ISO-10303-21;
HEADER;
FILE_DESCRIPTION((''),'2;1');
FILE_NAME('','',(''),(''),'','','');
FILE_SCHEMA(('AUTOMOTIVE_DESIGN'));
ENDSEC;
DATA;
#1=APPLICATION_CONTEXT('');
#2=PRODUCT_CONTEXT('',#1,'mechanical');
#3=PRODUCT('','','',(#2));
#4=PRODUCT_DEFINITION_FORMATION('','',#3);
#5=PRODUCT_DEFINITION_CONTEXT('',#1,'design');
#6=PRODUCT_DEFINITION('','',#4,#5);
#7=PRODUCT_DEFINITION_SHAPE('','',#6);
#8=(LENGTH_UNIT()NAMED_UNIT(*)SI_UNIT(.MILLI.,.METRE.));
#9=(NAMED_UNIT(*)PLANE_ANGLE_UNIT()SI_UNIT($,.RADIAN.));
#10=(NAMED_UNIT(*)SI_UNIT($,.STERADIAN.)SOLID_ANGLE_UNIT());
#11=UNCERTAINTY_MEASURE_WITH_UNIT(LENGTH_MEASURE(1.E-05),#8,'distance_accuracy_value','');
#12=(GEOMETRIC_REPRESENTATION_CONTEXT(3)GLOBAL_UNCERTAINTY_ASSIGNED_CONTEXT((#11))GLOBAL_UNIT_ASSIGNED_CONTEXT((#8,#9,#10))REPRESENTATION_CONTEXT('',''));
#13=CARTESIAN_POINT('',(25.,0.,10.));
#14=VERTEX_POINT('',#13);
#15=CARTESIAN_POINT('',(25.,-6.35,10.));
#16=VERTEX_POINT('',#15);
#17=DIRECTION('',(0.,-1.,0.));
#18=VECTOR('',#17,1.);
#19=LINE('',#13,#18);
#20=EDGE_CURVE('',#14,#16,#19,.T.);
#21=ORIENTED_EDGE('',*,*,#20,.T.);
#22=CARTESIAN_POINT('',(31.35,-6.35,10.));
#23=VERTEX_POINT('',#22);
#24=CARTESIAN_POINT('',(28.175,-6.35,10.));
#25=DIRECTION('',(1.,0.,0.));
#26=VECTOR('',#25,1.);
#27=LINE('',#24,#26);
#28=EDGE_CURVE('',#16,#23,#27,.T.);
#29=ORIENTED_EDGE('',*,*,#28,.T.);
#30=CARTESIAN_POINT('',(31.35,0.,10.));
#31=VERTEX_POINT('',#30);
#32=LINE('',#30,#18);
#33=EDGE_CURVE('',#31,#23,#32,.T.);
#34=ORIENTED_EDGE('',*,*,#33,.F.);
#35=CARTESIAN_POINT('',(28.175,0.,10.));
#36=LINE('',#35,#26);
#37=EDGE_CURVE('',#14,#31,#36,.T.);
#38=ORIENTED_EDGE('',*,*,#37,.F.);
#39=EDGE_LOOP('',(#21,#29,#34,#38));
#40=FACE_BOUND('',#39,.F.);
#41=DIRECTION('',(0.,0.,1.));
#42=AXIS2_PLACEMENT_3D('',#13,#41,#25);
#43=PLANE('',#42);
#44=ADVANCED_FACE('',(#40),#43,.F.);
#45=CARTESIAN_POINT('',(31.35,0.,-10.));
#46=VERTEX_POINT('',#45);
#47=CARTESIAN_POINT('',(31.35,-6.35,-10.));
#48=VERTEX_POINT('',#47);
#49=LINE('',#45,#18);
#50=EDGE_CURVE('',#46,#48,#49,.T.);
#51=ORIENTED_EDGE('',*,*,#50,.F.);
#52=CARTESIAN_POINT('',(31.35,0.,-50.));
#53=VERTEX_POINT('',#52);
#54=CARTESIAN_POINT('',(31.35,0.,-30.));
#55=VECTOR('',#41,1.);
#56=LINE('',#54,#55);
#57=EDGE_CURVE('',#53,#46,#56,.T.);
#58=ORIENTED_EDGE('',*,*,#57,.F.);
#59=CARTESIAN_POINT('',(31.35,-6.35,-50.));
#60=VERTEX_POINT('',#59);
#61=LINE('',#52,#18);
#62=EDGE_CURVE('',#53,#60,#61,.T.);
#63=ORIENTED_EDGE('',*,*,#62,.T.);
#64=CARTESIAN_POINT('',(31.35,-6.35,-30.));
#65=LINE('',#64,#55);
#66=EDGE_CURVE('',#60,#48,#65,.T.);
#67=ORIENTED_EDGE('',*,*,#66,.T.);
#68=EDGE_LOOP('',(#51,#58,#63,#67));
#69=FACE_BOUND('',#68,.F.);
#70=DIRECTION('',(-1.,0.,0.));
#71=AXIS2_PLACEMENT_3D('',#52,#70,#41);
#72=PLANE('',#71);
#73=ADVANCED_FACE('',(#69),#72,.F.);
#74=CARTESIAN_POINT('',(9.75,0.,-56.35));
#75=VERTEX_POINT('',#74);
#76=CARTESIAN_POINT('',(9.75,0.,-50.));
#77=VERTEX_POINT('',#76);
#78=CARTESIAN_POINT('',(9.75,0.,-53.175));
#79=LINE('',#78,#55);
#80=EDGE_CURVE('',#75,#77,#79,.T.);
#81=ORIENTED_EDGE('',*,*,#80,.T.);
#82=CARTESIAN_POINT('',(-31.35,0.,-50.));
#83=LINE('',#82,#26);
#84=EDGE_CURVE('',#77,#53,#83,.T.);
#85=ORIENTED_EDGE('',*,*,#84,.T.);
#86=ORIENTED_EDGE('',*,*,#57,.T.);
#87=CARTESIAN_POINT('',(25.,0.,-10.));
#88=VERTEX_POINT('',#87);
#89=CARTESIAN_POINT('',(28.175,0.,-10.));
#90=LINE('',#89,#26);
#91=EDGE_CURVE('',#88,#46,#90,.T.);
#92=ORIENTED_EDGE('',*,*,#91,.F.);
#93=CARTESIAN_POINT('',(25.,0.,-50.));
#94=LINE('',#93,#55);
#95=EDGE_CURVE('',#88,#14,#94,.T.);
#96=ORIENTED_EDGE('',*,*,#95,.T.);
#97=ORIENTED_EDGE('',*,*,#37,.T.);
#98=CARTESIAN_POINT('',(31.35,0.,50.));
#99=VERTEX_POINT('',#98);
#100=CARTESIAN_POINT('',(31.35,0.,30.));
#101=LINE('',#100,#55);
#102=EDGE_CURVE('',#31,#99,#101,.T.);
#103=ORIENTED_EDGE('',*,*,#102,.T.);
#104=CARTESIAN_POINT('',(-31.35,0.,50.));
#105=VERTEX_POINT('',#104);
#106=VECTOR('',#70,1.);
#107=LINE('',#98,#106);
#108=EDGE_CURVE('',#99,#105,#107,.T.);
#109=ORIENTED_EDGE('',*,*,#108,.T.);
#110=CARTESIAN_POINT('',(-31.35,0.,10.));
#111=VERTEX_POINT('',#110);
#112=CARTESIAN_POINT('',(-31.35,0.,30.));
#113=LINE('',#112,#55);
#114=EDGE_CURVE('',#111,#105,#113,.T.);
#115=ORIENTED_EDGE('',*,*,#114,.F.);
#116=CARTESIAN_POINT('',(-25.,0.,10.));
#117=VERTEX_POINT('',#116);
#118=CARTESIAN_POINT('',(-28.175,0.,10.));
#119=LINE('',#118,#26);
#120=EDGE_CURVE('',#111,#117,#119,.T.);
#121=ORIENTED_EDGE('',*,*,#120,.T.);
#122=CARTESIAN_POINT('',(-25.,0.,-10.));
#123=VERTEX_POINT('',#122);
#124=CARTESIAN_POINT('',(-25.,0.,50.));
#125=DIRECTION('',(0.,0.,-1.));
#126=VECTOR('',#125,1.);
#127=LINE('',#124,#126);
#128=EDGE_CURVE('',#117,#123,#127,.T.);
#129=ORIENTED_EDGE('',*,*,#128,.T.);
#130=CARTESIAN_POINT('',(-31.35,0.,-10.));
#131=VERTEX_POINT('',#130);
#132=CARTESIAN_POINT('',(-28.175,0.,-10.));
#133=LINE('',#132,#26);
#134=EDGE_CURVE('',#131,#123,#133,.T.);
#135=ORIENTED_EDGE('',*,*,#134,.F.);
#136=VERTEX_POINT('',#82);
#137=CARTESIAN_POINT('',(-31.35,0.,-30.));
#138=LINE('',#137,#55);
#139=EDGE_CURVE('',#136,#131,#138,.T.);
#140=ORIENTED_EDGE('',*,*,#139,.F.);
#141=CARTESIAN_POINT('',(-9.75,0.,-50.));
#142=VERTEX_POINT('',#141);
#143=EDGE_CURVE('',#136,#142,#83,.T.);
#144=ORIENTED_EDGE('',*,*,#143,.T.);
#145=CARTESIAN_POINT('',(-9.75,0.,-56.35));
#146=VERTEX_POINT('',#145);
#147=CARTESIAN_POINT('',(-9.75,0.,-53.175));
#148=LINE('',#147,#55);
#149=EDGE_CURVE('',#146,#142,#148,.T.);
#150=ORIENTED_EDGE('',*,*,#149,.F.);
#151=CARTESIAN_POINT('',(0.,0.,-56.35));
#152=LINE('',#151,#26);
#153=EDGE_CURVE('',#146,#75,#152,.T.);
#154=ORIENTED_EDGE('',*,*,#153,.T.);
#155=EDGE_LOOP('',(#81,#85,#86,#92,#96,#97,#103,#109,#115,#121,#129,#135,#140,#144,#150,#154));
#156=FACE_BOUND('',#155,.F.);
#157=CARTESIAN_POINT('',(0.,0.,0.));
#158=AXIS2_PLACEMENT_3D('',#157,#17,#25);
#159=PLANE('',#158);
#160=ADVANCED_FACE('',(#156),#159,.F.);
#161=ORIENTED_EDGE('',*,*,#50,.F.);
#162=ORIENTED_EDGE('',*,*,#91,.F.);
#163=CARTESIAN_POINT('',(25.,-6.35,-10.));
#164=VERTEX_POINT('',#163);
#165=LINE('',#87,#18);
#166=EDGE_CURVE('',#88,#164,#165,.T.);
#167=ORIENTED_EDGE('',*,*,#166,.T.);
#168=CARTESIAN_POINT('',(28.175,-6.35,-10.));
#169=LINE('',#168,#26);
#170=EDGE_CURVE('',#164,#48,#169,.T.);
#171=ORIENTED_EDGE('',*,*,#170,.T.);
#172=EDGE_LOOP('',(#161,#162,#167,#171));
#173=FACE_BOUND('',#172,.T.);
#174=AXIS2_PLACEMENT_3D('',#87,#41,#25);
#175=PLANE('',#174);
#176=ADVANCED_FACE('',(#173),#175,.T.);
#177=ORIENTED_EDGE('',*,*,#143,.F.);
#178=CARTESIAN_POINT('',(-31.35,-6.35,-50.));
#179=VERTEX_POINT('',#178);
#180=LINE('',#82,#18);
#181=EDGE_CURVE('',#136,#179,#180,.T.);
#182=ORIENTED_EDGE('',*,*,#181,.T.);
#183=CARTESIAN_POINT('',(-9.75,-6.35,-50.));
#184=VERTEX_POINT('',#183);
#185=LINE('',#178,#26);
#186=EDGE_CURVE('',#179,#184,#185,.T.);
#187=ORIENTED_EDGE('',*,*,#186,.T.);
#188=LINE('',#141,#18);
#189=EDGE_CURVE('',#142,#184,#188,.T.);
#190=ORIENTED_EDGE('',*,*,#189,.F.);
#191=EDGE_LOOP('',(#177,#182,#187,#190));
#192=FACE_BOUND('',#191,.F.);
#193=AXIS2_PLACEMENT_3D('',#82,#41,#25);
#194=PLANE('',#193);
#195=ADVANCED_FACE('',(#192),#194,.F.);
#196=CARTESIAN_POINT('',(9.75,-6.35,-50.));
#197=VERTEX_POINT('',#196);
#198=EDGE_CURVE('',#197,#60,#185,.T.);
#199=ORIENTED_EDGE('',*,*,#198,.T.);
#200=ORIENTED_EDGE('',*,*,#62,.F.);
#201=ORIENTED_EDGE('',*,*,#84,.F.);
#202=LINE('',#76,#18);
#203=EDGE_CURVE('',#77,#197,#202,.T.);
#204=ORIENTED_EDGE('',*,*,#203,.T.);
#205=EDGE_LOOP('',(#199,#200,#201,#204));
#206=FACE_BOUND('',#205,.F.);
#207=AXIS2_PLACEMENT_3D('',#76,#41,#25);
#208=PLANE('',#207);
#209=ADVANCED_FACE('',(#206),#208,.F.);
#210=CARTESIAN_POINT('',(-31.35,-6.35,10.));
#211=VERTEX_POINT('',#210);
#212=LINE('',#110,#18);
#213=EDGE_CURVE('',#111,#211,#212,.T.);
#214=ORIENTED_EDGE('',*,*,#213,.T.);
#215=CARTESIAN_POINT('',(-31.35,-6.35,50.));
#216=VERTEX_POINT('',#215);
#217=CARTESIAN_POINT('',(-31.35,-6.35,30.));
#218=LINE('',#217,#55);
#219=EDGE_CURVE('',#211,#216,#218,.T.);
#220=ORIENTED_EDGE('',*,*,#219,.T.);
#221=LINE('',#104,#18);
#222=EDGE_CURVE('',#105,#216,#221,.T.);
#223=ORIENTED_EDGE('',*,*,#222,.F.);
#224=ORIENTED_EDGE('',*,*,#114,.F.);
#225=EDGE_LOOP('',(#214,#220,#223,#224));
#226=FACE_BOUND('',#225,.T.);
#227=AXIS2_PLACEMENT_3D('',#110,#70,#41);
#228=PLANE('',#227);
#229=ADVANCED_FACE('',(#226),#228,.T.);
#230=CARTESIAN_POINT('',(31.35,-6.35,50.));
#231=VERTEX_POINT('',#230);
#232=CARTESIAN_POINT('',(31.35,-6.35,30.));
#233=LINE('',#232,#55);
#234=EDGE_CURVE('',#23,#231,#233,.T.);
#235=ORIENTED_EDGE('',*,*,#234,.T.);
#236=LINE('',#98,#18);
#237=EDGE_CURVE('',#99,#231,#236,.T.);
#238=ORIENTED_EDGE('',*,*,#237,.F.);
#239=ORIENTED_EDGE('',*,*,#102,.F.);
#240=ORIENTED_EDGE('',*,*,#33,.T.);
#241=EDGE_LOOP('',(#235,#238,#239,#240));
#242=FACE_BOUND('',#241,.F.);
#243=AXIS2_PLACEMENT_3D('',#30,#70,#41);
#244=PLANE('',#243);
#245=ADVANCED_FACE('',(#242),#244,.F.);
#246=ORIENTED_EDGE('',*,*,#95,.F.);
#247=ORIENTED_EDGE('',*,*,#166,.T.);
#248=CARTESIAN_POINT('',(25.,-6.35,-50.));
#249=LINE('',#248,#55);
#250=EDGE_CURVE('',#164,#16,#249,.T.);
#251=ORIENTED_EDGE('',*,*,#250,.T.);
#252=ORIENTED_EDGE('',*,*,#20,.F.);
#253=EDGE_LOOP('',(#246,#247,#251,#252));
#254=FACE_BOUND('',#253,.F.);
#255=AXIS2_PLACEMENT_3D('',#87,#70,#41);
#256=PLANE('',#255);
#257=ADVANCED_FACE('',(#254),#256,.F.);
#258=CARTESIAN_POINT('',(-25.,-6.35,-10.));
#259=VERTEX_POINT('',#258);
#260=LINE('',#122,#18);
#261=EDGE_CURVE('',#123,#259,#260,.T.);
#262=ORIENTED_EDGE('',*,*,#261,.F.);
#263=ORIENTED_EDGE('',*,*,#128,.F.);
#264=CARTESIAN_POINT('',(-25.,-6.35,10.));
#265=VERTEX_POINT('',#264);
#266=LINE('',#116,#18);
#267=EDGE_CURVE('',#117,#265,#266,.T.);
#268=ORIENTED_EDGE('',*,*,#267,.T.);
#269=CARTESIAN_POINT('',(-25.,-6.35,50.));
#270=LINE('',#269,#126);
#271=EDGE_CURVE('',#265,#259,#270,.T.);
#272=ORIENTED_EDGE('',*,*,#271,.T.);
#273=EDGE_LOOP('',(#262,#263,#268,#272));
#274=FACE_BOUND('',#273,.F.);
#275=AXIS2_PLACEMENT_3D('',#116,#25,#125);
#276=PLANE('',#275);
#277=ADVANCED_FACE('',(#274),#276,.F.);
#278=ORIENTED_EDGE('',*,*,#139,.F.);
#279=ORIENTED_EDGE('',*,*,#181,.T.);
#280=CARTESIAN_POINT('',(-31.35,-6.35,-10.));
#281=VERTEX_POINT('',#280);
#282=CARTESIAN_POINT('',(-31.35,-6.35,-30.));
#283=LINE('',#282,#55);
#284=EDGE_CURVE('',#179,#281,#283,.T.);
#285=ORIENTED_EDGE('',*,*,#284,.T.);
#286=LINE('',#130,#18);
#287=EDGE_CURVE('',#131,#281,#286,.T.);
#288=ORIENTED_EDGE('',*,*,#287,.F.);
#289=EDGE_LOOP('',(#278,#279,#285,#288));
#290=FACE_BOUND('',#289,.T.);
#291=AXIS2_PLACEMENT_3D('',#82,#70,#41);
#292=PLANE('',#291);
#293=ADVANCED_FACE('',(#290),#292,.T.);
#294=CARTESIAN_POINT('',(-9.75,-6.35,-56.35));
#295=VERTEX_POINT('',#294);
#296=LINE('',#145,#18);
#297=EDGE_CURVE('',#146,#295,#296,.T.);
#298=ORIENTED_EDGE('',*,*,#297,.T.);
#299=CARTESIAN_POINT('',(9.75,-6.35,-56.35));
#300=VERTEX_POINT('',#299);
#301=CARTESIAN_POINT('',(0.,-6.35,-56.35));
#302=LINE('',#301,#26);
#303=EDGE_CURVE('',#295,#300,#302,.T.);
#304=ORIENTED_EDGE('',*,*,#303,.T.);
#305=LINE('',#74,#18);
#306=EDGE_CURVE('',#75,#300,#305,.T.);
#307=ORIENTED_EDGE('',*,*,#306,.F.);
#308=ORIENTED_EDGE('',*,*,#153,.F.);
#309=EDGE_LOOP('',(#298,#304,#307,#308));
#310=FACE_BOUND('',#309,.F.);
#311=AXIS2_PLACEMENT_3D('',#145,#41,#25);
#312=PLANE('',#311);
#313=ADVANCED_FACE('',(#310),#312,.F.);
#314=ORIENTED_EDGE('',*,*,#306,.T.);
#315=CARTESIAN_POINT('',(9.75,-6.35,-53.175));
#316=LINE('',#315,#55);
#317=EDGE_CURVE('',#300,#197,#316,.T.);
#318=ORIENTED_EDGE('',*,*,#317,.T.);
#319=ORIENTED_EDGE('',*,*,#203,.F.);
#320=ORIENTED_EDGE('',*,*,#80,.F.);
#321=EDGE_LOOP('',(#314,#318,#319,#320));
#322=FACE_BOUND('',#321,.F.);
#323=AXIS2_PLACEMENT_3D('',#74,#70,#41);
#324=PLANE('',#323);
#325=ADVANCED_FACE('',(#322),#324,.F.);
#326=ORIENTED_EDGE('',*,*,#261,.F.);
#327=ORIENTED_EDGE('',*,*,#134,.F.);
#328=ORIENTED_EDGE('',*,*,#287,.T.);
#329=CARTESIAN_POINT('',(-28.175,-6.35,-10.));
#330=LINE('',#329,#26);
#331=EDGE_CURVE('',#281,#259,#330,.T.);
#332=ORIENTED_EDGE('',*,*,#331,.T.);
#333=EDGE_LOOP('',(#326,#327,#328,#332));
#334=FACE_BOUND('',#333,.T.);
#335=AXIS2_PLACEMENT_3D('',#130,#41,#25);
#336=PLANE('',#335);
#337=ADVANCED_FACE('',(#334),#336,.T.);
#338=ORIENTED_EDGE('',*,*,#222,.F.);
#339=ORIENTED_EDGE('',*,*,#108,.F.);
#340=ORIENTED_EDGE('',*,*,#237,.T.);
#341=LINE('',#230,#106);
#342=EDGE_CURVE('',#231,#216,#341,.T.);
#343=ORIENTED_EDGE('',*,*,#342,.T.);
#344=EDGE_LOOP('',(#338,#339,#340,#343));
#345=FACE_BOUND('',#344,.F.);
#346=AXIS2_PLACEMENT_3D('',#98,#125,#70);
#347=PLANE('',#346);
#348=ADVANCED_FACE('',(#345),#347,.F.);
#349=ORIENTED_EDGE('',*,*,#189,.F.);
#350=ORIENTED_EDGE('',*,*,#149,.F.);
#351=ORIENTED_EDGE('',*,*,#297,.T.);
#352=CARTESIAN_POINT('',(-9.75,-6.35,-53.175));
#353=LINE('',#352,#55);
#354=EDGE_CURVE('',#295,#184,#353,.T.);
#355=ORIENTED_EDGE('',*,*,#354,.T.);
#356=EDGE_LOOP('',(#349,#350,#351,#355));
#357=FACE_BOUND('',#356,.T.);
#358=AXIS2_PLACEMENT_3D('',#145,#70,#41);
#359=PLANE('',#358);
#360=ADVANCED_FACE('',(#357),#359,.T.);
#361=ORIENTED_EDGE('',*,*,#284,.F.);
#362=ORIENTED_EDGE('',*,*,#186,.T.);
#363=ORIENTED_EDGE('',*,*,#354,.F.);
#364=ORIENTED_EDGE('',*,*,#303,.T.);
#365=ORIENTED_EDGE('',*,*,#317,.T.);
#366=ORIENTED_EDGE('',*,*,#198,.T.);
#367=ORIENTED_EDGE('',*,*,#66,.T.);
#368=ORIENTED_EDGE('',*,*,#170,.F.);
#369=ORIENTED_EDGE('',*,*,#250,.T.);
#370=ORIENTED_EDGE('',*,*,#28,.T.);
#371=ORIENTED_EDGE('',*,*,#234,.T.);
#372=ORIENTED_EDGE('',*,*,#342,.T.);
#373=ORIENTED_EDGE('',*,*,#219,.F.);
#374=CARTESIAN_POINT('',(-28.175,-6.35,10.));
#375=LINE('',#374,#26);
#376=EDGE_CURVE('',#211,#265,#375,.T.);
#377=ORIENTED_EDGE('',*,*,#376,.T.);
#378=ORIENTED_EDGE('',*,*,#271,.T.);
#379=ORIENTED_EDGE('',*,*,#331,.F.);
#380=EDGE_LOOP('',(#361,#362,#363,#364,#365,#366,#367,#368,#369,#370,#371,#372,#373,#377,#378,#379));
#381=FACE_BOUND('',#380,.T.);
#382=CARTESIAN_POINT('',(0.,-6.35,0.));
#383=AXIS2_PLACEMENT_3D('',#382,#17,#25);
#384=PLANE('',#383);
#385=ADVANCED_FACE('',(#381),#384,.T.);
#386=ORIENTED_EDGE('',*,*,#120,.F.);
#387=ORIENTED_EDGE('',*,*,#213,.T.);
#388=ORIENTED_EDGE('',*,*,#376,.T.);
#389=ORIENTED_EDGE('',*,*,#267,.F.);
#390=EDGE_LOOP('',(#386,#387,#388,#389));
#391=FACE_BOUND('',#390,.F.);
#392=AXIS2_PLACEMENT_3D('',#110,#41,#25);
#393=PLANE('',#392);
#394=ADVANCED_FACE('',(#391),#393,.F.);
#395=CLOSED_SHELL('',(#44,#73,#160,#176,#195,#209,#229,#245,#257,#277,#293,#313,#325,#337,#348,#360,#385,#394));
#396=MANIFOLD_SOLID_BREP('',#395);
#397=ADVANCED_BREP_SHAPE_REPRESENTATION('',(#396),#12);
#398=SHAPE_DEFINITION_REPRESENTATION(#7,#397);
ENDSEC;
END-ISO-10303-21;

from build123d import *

# Parameters (mm, degrees)
F0_W     = 6.35
F0_H     = 40
F0_W_2   = 19.5
F0_H_2   = 6.35
F1_DEPTH = 6.35


with BuildPart() as f1:
    # F0 (on Front) → F1 (new body)
    with BuildSketch(Plane.XZ):
        Polygon((25, 10), (25, 50), (-25, 50), (-25, 10), (-25, -10), (-25, -50), (-9.75, -50), (9.75, -50), (25, -50), (25, -10), align=None)
        with Locations((28.175, 30)):
            Rectangle(F0_W, F0_H)
        with Locations((-28.175, 30)):
            Rectangle(F0_W, F0_H)
        with Locations((28.175, -30)):
            Rectangle(F0_W, F0_H)
        with Locations((-28.175, -30)):
            Rectangle(F0_W, F0_H)
        with Locations((0, -53.175)):
            Rectangle(F0_W_2, F0_H_2)
    extrude(amount=F1_DEPTH)


solid = f1.part
